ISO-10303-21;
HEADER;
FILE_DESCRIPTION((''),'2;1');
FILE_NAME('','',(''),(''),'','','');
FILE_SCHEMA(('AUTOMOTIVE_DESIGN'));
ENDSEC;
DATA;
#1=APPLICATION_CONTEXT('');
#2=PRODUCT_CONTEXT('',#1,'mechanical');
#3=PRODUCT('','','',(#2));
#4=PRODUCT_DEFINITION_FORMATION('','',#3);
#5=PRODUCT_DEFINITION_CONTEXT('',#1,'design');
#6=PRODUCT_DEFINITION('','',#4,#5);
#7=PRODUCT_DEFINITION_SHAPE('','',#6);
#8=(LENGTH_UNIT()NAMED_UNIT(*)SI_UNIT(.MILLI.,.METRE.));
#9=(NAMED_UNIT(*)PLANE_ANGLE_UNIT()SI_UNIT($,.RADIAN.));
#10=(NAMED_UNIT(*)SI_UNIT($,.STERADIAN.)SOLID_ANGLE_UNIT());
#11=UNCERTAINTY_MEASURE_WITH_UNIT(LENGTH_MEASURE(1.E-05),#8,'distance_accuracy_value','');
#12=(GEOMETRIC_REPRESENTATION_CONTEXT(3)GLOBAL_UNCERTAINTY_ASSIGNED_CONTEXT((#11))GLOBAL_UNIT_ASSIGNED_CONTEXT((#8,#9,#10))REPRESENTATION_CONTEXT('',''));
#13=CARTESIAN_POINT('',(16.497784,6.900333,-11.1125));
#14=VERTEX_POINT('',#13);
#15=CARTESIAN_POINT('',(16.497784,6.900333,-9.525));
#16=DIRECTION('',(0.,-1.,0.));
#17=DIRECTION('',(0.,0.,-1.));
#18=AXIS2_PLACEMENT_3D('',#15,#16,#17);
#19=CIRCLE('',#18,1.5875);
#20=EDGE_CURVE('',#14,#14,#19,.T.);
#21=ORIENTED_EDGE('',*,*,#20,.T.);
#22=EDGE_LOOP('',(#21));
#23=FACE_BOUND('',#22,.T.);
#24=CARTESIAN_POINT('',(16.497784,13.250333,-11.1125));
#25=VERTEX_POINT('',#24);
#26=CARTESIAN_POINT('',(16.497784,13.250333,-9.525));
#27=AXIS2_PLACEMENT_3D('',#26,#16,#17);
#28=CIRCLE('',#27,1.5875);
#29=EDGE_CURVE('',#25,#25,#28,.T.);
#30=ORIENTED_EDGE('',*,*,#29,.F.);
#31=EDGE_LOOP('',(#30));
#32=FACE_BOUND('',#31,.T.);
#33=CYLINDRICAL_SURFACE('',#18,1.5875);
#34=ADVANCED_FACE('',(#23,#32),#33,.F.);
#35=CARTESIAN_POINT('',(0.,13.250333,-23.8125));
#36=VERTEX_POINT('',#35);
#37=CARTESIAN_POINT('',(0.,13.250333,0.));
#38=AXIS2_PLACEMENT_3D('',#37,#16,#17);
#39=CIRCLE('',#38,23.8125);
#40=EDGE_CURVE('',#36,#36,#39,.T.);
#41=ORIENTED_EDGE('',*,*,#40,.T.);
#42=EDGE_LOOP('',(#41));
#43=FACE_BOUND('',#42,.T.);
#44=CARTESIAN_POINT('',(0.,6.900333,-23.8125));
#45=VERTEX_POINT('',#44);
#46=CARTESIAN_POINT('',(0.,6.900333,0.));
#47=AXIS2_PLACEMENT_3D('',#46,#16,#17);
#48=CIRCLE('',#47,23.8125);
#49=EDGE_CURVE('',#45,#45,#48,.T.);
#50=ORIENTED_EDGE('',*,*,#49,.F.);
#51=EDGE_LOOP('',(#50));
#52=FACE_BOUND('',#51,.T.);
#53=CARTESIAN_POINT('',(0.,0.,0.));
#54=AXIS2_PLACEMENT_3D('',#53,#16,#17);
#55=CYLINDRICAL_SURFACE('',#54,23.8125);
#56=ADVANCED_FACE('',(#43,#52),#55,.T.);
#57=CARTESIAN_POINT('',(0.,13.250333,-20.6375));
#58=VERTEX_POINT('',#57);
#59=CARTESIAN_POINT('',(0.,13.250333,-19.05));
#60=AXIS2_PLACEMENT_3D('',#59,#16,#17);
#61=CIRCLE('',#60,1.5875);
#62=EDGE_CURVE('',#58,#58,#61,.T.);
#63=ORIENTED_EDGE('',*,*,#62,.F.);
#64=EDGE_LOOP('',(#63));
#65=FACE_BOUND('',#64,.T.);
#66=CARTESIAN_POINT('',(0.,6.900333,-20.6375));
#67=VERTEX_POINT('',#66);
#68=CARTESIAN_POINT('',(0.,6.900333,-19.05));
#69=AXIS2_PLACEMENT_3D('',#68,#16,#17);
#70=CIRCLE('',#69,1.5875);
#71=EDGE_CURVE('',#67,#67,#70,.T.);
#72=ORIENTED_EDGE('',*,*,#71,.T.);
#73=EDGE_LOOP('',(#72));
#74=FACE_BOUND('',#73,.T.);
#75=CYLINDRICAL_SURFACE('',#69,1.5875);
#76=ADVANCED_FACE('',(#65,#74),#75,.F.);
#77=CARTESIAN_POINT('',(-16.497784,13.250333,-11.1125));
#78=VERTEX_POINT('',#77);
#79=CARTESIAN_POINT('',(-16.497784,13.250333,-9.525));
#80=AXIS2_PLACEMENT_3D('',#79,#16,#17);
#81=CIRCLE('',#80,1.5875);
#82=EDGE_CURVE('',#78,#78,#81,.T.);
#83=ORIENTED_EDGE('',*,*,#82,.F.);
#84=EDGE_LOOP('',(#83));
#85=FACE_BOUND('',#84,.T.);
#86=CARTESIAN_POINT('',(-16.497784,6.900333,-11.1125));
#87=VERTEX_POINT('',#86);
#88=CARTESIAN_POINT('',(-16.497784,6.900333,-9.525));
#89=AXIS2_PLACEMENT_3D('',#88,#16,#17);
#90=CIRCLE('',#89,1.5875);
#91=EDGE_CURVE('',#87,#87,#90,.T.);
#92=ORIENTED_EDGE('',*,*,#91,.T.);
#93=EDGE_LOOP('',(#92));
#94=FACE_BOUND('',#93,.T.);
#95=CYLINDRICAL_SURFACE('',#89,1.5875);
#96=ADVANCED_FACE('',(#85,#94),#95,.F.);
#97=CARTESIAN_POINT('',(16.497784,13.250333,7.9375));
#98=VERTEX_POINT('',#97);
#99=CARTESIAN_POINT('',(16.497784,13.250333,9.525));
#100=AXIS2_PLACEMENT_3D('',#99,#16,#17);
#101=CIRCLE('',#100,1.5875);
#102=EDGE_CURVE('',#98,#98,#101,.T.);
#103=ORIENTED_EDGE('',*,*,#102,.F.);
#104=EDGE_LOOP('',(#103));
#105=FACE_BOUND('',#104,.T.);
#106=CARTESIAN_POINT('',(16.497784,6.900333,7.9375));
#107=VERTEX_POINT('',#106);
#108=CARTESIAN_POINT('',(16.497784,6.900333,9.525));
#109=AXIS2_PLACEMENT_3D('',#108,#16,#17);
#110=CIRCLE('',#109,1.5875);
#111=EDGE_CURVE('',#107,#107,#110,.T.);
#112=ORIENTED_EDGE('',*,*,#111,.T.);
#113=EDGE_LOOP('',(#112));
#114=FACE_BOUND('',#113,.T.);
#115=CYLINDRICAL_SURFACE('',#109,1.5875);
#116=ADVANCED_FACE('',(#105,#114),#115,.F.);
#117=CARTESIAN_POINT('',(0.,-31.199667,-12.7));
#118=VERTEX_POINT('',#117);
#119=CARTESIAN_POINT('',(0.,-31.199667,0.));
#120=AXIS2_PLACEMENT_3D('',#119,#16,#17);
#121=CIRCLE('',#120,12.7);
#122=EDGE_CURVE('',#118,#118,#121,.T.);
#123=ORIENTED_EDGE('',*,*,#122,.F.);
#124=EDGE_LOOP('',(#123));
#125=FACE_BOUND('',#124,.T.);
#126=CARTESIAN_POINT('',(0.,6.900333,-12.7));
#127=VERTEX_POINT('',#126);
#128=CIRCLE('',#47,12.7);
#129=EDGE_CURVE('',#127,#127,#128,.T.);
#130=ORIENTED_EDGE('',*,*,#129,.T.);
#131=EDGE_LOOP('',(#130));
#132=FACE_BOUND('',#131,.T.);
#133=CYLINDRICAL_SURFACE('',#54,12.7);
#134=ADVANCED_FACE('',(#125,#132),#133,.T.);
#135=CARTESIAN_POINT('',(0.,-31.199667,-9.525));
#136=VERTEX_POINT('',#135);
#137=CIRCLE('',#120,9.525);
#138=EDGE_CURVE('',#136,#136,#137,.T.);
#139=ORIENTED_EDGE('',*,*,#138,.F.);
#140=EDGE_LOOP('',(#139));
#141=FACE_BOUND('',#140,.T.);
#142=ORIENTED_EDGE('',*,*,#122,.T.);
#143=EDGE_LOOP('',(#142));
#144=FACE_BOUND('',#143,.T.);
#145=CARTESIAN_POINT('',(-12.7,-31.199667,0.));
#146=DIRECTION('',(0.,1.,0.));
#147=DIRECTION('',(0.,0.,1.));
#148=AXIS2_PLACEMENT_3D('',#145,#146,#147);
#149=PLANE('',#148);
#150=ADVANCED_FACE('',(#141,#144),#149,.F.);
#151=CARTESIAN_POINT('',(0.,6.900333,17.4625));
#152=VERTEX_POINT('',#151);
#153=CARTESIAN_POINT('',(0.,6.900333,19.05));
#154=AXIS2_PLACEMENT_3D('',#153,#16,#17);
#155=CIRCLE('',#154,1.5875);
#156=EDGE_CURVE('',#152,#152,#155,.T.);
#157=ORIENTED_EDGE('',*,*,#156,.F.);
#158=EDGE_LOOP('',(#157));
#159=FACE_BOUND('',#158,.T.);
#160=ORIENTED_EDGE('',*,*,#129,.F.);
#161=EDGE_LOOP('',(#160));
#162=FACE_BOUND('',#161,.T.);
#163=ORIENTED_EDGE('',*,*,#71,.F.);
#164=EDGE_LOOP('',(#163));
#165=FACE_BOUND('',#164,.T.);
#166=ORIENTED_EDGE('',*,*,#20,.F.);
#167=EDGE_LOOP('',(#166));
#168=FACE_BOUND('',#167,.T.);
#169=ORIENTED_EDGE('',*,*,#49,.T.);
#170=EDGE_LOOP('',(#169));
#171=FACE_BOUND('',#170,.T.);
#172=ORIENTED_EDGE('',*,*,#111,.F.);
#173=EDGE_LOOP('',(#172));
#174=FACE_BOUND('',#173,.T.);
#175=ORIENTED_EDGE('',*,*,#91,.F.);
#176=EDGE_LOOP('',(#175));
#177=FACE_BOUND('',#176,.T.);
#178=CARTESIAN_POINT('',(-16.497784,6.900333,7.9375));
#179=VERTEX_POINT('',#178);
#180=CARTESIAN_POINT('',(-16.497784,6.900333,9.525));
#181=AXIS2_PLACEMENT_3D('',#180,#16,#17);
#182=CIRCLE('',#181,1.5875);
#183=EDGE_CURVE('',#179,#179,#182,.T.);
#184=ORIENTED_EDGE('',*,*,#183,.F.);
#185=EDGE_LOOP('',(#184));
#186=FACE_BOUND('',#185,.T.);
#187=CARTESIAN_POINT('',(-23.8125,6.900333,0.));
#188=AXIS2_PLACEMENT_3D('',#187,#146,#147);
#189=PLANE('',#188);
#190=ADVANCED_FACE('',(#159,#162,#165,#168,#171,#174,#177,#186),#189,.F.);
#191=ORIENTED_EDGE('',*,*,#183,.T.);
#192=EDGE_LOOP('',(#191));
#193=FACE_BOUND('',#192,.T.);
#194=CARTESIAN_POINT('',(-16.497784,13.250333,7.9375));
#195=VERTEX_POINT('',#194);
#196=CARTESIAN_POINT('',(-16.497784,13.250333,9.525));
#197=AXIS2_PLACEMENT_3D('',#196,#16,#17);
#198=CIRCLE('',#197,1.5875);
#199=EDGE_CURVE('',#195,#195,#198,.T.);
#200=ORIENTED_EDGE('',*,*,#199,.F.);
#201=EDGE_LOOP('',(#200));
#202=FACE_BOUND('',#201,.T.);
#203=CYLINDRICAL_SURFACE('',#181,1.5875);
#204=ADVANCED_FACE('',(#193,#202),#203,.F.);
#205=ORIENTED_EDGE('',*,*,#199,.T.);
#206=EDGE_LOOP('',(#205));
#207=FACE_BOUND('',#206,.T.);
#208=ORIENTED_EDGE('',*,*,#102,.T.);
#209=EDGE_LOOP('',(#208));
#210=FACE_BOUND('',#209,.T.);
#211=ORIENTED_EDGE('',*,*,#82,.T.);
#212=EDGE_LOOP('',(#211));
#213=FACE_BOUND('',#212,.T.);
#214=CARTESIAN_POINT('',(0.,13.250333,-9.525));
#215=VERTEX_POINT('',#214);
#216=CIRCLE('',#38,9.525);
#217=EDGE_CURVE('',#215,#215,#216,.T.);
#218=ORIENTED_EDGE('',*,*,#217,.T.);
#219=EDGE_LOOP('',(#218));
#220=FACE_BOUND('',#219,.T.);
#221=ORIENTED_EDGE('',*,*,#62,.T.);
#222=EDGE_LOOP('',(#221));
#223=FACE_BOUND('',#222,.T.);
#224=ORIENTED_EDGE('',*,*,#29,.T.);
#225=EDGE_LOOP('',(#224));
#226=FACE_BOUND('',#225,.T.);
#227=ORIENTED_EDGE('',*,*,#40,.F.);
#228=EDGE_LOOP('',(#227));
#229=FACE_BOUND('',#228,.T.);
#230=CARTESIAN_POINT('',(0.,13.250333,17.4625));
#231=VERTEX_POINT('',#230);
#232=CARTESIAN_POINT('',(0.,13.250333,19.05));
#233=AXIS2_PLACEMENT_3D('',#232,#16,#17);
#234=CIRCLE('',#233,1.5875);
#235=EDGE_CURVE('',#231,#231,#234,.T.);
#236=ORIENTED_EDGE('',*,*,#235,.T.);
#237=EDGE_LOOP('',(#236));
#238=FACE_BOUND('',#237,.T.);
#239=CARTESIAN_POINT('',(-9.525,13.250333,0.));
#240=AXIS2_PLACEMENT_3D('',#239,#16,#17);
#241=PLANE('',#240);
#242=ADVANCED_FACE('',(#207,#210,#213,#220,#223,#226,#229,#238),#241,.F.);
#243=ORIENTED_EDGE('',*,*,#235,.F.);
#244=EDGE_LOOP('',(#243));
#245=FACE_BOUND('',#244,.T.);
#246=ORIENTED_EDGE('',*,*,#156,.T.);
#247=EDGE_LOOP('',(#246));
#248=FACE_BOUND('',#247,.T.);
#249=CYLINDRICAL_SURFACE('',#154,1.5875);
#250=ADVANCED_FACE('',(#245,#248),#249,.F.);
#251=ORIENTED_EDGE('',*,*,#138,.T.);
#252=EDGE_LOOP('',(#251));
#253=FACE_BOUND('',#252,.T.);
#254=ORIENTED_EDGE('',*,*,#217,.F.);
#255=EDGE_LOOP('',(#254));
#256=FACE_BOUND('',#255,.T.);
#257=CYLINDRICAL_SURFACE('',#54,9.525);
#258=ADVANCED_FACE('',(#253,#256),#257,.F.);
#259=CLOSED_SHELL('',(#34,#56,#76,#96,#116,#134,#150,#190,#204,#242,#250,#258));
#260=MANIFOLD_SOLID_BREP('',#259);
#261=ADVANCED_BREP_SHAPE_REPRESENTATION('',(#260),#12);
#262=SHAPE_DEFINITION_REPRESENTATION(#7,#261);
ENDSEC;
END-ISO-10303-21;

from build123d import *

# Parameters (mm, degrees)
F_1_8_0_125_DIAMETER_HOLE2_D = 3.175


with BuildPart() as part:
    # Sketch1 → Revolve1 (revolve)
    with BuildSketch(Plane.XY):
        Polygon((-9.525, -31.199666667), (-9.525, 13.250333333), (-23.8125, 13.250333333), (-23.8125, 6.900333333), (-12.7, 6.900333333), (-12.7, -31.199666667), align=None)
    revolve(axis=Axis((0, 0, 0), (0, 1, 0)))

    # 1/8 (0.125) Diameter Hole2 (through all)
    with Locations(Plane(origin=(0, 6.900333333, 0), x_dir=(-1, 0, 0), z_dir=(0, -1, 0))):
        with Locations((0, 19.05), (16.497783942, 9.525), (16.497783942, -9.525), (0, -19.05), (-16.497783942, -9.525), (-16.497783942, 9.525), (0, 0)):
            Hole(F_1_8_0_125_DIAMETER_HOLE2_D / 2)


solid = part.part
